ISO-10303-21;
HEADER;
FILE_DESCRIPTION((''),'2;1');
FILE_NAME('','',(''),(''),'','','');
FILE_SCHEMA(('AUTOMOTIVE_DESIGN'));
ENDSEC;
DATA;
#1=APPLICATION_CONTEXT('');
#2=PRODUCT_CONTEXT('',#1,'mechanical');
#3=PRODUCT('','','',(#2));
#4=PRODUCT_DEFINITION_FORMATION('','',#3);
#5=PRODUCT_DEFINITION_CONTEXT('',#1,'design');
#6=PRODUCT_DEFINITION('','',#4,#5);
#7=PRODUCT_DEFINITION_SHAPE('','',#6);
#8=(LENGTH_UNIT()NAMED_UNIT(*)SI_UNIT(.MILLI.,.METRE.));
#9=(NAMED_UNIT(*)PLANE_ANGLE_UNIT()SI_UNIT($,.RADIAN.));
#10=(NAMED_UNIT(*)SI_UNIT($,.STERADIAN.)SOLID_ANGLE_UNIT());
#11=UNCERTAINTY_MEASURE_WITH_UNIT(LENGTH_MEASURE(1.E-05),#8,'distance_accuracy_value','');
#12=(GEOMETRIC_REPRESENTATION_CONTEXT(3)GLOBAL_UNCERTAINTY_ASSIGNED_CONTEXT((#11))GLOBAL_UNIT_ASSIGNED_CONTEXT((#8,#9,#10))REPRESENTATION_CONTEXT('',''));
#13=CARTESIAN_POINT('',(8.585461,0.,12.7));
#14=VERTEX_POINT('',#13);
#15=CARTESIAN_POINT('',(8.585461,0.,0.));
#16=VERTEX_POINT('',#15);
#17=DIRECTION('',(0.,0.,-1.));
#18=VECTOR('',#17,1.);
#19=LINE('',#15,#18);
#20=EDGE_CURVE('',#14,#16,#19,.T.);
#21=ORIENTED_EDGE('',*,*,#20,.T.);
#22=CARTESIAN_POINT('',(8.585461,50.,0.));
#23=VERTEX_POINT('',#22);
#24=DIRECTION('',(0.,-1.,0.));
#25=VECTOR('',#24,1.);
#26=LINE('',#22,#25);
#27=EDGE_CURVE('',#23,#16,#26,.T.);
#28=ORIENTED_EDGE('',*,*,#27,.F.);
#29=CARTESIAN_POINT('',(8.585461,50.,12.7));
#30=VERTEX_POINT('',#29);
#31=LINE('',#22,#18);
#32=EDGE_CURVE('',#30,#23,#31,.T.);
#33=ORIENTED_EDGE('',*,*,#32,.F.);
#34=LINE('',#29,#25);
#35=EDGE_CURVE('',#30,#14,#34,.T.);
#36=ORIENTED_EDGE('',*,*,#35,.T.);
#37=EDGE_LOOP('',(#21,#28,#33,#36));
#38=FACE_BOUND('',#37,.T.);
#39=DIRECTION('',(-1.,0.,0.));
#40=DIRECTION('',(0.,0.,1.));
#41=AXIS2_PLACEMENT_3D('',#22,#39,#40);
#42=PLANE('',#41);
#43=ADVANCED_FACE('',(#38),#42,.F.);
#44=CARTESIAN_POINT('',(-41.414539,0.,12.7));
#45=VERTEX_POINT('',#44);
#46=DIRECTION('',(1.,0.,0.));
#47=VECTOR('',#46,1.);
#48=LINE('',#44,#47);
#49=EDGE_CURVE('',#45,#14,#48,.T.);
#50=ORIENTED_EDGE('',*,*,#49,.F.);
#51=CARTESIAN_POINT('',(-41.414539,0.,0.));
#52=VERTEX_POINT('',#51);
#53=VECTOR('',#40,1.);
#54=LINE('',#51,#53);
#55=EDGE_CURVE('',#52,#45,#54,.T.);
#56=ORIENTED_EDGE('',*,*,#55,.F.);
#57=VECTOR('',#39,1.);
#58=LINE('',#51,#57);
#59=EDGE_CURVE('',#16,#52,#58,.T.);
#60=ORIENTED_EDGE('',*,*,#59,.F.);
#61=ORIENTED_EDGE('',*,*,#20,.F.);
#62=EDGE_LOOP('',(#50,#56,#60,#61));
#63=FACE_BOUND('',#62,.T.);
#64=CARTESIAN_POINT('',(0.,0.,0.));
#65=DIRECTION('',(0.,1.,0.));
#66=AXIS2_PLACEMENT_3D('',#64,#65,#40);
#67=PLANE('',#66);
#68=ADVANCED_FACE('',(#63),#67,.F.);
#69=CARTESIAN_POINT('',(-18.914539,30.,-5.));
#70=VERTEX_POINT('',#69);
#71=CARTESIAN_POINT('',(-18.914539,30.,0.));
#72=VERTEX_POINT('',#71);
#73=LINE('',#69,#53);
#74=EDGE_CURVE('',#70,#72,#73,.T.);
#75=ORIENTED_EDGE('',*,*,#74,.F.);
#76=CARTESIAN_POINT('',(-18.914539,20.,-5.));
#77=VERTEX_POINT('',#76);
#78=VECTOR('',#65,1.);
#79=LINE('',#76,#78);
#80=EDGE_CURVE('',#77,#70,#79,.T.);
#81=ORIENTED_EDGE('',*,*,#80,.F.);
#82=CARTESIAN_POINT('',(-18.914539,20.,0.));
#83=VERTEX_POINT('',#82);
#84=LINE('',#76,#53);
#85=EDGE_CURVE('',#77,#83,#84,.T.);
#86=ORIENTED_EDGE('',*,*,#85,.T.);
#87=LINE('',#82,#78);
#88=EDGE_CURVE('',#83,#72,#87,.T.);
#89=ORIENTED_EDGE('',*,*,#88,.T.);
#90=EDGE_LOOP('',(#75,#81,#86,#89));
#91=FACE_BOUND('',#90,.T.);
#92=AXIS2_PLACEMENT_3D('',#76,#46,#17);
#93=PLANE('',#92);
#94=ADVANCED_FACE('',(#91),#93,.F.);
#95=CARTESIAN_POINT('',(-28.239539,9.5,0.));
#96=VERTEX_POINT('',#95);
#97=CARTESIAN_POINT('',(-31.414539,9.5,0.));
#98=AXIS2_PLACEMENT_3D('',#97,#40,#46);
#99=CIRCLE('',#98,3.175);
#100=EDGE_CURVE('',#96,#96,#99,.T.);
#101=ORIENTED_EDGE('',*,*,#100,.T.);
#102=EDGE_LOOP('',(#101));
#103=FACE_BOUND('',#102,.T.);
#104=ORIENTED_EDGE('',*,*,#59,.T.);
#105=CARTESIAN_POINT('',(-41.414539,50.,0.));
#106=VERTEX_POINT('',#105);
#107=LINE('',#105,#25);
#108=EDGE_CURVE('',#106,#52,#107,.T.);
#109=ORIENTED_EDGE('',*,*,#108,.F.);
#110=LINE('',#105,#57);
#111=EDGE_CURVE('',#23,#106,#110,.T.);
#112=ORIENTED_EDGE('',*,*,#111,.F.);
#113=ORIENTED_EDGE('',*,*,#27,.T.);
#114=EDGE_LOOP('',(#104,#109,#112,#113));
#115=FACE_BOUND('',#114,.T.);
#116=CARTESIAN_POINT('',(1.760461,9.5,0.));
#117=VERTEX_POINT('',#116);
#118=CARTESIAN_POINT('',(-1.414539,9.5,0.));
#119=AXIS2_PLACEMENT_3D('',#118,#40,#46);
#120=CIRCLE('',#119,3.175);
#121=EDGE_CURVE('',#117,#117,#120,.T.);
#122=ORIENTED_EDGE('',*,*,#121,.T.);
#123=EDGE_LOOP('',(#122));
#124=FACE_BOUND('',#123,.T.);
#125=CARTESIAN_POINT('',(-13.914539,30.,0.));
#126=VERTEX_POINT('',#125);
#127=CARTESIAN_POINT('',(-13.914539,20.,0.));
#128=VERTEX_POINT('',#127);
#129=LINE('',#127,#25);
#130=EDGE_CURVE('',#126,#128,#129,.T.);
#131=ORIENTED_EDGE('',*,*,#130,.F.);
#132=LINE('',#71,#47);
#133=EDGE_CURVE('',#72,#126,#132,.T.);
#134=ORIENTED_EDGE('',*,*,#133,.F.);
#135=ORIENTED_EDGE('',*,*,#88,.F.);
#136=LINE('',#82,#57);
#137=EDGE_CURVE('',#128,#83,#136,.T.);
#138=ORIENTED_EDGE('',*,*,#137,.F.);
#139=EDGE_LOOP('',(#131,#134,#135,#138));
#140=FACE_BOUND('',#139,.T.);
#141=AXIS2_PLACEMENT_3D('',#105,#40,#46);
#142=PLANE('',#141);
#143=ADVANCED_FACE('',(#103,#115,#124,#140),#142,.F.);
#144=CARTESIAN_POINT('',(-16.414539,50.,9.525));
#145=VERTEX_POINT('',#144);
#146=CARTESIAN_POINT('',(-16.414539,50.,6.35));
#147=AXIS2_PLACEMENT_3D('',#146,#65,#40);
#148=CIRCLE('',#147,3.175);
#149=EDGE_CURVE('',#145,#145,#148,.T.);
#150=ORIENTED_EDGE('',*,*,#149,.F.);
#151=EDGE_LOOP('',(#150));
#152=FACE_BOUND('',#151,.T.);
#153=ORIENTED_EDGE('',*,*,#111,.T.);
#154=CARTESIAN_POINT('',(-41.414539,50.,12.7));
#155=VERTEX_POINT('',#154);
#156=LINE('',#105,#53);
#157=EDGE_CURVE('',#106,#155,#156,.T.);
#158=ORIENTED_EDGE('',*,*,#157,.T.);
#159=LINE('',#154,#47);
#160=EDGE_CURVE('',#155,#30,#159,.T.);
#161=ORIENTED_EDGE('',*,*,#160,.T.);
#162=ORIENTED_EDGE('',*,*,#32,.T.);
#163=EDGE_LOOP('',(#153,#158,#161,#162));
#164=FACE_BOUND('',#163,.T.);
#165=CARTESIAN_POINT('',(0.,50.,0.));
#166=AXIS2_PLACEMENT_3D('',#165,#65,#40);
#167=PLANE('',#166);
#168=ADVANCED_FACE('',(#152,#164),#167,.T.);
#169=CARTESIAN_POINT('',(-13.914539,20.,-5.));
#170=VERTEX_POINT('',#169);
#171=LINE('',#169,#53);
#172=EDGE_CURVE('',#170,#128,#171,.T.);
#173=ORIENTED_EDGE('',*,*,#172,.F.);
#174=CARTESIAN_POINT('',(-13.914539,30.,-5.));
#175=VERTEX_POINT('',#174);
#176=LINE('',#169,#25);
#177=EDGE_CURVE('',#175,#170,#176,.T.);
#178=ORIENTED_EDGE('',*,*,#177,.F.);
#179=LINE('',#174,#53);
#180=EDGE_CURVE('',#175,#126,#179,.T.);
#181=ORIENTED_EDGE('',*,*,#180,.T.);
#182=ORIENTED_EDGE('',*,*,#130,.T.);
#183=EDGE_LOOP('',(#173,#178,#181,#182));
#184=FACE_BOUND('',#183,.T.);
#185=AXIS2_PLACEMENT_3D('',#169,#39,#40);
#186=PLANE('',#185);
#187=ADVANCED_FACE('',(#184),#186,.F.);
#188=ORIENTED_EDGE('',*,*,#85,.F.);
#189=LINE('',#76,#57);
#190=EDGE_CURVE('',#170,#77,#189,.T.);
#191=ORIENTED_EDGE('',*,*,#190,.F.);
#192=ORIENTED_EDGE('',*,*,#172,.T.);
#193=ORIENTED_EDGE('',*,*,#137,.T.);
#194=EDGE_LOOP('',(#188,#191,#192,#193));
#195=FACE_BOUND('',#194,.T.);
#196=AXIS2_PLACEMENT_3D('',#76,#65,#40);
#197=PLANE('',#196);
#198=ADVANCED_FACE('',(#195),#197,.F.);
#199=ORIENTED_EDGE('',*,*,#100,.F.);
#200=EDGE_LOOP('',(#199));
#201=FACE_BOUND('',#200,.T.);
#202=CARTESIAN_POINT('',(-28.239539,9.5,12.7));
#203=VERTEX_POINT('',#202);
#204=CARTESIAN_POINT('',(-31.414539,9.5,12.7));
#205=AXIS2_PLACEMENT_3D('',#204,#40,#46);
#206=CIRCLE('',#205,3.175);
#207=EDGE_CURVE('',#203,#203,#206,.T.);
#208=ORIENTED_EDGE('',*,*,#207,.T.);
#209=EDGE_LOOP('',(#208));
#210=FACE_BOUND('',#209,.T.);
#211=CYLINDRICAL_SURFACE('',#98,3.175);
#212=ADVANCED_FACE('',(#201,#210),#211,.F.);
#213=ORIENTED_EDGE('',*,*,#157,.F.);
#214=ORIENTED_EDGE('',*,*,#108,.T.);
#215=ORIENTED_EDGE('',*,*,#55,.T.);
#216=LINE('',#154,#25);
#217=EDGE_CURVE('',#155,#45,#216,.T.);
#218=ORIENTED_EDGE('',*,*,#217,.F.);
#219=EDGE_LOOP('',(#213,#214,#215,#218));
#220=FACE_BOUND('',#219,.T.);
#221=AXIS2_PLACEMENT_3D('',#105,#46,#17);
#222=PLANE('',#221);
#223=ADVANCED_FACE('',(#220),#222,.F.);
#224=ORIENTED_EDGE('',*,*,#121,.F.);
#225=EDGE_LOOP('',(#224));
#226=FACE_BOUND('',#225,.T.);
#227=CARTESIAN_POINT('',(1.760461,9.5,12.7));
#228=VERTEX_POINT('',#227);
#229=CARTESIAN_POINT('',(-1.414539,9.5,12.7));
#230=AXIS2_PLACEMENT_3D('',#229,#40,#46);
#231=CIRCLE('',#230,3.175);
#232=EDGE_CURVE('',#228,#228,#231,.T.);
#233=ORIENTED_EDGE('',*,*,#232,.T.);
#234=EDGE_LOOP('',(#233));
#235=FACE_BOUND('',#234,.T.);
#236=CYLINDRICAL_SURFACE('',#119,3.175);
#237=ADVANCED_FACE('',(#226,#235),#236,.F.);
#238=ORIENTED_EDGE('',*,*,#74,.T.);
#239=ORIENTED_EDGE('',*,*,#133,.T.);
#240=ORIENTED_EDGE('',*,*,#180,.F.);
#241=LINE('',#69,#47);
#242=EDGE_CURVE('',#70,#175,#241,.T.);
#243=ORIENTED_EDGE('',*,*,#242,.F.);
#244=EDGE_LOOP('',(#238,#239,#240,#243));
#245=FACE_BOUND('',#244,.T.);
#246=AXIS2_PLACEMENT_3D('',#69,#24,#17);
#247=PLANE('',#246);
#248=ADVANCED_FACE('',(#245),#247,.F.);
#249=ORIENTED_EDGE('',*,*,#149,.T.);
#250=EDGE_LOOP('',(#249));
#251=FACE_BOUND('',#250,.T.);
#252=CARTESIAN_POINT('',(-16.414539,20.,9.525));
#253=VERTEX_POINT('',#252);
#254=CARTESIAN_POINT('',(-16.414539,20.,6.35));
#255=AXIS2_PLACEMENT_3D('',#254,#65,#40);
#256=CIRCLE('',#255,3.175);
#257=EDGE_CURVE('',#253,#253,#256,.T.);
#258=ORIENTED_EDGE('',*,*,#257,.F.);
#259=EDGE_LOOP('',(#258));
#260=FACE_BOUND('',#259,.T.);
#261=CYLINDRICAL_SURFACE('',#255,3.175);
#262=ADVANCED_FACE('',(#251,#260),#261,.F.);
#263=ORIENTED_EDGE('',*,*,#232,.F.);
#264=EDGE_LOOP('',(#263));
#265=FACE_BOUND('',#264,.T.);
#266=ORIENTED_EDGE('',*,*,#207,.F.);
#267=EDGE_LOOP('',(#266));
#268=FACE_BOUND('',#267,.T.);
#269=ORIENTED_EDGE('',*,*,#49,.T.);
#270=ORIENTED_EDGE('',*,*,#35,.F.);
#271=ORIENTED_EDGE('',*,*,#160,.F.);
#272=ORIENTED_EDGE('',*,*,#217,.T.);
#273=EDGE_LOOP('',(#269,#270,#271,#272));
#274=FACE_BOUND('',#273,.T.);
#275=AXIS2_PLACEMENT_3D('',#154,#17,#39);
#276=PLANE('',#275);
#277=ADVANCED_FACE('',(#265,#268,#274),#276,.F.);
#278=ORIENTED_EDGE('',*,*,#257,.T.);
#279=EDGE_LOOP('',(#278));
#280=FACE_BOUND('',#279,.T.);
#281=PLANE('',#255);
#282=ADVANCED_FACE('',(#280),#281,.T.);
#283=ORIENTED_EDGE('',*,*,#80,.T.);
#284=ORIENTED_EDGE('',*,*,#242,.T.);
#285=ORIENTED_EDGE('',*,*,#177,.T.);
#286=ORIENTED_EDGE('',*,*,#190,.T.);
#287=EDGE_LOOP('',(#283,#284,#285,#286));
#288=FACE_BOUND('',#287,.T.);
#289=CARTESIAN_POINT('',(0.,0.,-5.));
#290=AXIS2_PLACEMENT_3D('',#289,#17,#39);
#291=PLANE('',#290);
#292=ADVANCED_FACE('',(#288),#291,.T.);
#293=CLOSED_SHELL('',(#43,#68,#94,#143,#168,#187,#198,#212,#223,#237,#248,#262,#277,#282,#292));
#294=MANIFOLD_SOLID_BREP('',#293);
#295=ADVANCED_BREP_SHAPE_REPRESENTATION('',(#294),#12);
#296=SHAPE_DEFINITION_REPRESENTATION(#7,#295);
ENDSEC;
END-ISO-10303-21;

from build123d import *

# Parameters (mm, degrees)
SKETCH1_W           = 50
SKETCH1_H           = 12.7
BOSS_EXTRUDE1_DEPTH = 50
SKETCH4_R           = 3.175
CUT_EXTRUDE2_DEPTH  = 67.154773237
SKETCH5_R           = 3.175
CUT_EXTRUDE3_DEPTH  = 30
SKETCH6_W           = 5
SKETCH6_H           = 10
BOSS_EXTRUDE3_DEPTH = 5


with BuildPart() as part:
    # Sketch1 → Boss-Extrude1 (new body)
    with BuildSketch(Plane(origin=(0, 0, 0), x_dir=(1, 0, 0), z_dir=(0, 1, 0))):
        with Locations((-16.414538776, -6.35)):
            Rectangle(SKETCH1_W, SKETCH1_H)
    extrude(amount=BOSS_EXTRUDE1_DEPTH)

    # Sketch4 → Cut-Extrude2 (cut, through all)
    with BuildSketch(Plane.XY.offset(12.7)):
        with Locations((-1.414538776, 9.5)):
            Circle(SKETCH4_R)
        with Locations((-31.414538776, 9.5)):
            Circle(SKETCH4_R)
    extrude(amount=-CUT_EXTRUDE2_DEPTH, mode=Mode.SUBTRACT)

    # Sketch5 → Cut-Extrude3 (cut)
    with BuildSketch(Plane(origin=(0, 50, 0), x_dir=(1, 0, 0), z_dir=(0, 1, 0))):
        with Locations(Location((-16.414538776, -6.35, 0), (0, 0, 270))):
            Circle(SKETCH5_R)
    extrude(amount=-CUT_EXTRUDE3_DEPTH, mode=Mode.SUBTRACT)

    # Sketch6 → Boss-Extrude3 (add)
    with BuildSketch(Plane(origin=(0, 0, 0), x_dir=(-1, 0, 0), z_dir=(0, 0, -1))):
        with Locations((16.414538776, 25)):
            Rectangle(SKETCH6_W, SKETCH6_H)
    extrude(amount=BOSS_EXTRUDE3_DEPTH)


solid = part.part
